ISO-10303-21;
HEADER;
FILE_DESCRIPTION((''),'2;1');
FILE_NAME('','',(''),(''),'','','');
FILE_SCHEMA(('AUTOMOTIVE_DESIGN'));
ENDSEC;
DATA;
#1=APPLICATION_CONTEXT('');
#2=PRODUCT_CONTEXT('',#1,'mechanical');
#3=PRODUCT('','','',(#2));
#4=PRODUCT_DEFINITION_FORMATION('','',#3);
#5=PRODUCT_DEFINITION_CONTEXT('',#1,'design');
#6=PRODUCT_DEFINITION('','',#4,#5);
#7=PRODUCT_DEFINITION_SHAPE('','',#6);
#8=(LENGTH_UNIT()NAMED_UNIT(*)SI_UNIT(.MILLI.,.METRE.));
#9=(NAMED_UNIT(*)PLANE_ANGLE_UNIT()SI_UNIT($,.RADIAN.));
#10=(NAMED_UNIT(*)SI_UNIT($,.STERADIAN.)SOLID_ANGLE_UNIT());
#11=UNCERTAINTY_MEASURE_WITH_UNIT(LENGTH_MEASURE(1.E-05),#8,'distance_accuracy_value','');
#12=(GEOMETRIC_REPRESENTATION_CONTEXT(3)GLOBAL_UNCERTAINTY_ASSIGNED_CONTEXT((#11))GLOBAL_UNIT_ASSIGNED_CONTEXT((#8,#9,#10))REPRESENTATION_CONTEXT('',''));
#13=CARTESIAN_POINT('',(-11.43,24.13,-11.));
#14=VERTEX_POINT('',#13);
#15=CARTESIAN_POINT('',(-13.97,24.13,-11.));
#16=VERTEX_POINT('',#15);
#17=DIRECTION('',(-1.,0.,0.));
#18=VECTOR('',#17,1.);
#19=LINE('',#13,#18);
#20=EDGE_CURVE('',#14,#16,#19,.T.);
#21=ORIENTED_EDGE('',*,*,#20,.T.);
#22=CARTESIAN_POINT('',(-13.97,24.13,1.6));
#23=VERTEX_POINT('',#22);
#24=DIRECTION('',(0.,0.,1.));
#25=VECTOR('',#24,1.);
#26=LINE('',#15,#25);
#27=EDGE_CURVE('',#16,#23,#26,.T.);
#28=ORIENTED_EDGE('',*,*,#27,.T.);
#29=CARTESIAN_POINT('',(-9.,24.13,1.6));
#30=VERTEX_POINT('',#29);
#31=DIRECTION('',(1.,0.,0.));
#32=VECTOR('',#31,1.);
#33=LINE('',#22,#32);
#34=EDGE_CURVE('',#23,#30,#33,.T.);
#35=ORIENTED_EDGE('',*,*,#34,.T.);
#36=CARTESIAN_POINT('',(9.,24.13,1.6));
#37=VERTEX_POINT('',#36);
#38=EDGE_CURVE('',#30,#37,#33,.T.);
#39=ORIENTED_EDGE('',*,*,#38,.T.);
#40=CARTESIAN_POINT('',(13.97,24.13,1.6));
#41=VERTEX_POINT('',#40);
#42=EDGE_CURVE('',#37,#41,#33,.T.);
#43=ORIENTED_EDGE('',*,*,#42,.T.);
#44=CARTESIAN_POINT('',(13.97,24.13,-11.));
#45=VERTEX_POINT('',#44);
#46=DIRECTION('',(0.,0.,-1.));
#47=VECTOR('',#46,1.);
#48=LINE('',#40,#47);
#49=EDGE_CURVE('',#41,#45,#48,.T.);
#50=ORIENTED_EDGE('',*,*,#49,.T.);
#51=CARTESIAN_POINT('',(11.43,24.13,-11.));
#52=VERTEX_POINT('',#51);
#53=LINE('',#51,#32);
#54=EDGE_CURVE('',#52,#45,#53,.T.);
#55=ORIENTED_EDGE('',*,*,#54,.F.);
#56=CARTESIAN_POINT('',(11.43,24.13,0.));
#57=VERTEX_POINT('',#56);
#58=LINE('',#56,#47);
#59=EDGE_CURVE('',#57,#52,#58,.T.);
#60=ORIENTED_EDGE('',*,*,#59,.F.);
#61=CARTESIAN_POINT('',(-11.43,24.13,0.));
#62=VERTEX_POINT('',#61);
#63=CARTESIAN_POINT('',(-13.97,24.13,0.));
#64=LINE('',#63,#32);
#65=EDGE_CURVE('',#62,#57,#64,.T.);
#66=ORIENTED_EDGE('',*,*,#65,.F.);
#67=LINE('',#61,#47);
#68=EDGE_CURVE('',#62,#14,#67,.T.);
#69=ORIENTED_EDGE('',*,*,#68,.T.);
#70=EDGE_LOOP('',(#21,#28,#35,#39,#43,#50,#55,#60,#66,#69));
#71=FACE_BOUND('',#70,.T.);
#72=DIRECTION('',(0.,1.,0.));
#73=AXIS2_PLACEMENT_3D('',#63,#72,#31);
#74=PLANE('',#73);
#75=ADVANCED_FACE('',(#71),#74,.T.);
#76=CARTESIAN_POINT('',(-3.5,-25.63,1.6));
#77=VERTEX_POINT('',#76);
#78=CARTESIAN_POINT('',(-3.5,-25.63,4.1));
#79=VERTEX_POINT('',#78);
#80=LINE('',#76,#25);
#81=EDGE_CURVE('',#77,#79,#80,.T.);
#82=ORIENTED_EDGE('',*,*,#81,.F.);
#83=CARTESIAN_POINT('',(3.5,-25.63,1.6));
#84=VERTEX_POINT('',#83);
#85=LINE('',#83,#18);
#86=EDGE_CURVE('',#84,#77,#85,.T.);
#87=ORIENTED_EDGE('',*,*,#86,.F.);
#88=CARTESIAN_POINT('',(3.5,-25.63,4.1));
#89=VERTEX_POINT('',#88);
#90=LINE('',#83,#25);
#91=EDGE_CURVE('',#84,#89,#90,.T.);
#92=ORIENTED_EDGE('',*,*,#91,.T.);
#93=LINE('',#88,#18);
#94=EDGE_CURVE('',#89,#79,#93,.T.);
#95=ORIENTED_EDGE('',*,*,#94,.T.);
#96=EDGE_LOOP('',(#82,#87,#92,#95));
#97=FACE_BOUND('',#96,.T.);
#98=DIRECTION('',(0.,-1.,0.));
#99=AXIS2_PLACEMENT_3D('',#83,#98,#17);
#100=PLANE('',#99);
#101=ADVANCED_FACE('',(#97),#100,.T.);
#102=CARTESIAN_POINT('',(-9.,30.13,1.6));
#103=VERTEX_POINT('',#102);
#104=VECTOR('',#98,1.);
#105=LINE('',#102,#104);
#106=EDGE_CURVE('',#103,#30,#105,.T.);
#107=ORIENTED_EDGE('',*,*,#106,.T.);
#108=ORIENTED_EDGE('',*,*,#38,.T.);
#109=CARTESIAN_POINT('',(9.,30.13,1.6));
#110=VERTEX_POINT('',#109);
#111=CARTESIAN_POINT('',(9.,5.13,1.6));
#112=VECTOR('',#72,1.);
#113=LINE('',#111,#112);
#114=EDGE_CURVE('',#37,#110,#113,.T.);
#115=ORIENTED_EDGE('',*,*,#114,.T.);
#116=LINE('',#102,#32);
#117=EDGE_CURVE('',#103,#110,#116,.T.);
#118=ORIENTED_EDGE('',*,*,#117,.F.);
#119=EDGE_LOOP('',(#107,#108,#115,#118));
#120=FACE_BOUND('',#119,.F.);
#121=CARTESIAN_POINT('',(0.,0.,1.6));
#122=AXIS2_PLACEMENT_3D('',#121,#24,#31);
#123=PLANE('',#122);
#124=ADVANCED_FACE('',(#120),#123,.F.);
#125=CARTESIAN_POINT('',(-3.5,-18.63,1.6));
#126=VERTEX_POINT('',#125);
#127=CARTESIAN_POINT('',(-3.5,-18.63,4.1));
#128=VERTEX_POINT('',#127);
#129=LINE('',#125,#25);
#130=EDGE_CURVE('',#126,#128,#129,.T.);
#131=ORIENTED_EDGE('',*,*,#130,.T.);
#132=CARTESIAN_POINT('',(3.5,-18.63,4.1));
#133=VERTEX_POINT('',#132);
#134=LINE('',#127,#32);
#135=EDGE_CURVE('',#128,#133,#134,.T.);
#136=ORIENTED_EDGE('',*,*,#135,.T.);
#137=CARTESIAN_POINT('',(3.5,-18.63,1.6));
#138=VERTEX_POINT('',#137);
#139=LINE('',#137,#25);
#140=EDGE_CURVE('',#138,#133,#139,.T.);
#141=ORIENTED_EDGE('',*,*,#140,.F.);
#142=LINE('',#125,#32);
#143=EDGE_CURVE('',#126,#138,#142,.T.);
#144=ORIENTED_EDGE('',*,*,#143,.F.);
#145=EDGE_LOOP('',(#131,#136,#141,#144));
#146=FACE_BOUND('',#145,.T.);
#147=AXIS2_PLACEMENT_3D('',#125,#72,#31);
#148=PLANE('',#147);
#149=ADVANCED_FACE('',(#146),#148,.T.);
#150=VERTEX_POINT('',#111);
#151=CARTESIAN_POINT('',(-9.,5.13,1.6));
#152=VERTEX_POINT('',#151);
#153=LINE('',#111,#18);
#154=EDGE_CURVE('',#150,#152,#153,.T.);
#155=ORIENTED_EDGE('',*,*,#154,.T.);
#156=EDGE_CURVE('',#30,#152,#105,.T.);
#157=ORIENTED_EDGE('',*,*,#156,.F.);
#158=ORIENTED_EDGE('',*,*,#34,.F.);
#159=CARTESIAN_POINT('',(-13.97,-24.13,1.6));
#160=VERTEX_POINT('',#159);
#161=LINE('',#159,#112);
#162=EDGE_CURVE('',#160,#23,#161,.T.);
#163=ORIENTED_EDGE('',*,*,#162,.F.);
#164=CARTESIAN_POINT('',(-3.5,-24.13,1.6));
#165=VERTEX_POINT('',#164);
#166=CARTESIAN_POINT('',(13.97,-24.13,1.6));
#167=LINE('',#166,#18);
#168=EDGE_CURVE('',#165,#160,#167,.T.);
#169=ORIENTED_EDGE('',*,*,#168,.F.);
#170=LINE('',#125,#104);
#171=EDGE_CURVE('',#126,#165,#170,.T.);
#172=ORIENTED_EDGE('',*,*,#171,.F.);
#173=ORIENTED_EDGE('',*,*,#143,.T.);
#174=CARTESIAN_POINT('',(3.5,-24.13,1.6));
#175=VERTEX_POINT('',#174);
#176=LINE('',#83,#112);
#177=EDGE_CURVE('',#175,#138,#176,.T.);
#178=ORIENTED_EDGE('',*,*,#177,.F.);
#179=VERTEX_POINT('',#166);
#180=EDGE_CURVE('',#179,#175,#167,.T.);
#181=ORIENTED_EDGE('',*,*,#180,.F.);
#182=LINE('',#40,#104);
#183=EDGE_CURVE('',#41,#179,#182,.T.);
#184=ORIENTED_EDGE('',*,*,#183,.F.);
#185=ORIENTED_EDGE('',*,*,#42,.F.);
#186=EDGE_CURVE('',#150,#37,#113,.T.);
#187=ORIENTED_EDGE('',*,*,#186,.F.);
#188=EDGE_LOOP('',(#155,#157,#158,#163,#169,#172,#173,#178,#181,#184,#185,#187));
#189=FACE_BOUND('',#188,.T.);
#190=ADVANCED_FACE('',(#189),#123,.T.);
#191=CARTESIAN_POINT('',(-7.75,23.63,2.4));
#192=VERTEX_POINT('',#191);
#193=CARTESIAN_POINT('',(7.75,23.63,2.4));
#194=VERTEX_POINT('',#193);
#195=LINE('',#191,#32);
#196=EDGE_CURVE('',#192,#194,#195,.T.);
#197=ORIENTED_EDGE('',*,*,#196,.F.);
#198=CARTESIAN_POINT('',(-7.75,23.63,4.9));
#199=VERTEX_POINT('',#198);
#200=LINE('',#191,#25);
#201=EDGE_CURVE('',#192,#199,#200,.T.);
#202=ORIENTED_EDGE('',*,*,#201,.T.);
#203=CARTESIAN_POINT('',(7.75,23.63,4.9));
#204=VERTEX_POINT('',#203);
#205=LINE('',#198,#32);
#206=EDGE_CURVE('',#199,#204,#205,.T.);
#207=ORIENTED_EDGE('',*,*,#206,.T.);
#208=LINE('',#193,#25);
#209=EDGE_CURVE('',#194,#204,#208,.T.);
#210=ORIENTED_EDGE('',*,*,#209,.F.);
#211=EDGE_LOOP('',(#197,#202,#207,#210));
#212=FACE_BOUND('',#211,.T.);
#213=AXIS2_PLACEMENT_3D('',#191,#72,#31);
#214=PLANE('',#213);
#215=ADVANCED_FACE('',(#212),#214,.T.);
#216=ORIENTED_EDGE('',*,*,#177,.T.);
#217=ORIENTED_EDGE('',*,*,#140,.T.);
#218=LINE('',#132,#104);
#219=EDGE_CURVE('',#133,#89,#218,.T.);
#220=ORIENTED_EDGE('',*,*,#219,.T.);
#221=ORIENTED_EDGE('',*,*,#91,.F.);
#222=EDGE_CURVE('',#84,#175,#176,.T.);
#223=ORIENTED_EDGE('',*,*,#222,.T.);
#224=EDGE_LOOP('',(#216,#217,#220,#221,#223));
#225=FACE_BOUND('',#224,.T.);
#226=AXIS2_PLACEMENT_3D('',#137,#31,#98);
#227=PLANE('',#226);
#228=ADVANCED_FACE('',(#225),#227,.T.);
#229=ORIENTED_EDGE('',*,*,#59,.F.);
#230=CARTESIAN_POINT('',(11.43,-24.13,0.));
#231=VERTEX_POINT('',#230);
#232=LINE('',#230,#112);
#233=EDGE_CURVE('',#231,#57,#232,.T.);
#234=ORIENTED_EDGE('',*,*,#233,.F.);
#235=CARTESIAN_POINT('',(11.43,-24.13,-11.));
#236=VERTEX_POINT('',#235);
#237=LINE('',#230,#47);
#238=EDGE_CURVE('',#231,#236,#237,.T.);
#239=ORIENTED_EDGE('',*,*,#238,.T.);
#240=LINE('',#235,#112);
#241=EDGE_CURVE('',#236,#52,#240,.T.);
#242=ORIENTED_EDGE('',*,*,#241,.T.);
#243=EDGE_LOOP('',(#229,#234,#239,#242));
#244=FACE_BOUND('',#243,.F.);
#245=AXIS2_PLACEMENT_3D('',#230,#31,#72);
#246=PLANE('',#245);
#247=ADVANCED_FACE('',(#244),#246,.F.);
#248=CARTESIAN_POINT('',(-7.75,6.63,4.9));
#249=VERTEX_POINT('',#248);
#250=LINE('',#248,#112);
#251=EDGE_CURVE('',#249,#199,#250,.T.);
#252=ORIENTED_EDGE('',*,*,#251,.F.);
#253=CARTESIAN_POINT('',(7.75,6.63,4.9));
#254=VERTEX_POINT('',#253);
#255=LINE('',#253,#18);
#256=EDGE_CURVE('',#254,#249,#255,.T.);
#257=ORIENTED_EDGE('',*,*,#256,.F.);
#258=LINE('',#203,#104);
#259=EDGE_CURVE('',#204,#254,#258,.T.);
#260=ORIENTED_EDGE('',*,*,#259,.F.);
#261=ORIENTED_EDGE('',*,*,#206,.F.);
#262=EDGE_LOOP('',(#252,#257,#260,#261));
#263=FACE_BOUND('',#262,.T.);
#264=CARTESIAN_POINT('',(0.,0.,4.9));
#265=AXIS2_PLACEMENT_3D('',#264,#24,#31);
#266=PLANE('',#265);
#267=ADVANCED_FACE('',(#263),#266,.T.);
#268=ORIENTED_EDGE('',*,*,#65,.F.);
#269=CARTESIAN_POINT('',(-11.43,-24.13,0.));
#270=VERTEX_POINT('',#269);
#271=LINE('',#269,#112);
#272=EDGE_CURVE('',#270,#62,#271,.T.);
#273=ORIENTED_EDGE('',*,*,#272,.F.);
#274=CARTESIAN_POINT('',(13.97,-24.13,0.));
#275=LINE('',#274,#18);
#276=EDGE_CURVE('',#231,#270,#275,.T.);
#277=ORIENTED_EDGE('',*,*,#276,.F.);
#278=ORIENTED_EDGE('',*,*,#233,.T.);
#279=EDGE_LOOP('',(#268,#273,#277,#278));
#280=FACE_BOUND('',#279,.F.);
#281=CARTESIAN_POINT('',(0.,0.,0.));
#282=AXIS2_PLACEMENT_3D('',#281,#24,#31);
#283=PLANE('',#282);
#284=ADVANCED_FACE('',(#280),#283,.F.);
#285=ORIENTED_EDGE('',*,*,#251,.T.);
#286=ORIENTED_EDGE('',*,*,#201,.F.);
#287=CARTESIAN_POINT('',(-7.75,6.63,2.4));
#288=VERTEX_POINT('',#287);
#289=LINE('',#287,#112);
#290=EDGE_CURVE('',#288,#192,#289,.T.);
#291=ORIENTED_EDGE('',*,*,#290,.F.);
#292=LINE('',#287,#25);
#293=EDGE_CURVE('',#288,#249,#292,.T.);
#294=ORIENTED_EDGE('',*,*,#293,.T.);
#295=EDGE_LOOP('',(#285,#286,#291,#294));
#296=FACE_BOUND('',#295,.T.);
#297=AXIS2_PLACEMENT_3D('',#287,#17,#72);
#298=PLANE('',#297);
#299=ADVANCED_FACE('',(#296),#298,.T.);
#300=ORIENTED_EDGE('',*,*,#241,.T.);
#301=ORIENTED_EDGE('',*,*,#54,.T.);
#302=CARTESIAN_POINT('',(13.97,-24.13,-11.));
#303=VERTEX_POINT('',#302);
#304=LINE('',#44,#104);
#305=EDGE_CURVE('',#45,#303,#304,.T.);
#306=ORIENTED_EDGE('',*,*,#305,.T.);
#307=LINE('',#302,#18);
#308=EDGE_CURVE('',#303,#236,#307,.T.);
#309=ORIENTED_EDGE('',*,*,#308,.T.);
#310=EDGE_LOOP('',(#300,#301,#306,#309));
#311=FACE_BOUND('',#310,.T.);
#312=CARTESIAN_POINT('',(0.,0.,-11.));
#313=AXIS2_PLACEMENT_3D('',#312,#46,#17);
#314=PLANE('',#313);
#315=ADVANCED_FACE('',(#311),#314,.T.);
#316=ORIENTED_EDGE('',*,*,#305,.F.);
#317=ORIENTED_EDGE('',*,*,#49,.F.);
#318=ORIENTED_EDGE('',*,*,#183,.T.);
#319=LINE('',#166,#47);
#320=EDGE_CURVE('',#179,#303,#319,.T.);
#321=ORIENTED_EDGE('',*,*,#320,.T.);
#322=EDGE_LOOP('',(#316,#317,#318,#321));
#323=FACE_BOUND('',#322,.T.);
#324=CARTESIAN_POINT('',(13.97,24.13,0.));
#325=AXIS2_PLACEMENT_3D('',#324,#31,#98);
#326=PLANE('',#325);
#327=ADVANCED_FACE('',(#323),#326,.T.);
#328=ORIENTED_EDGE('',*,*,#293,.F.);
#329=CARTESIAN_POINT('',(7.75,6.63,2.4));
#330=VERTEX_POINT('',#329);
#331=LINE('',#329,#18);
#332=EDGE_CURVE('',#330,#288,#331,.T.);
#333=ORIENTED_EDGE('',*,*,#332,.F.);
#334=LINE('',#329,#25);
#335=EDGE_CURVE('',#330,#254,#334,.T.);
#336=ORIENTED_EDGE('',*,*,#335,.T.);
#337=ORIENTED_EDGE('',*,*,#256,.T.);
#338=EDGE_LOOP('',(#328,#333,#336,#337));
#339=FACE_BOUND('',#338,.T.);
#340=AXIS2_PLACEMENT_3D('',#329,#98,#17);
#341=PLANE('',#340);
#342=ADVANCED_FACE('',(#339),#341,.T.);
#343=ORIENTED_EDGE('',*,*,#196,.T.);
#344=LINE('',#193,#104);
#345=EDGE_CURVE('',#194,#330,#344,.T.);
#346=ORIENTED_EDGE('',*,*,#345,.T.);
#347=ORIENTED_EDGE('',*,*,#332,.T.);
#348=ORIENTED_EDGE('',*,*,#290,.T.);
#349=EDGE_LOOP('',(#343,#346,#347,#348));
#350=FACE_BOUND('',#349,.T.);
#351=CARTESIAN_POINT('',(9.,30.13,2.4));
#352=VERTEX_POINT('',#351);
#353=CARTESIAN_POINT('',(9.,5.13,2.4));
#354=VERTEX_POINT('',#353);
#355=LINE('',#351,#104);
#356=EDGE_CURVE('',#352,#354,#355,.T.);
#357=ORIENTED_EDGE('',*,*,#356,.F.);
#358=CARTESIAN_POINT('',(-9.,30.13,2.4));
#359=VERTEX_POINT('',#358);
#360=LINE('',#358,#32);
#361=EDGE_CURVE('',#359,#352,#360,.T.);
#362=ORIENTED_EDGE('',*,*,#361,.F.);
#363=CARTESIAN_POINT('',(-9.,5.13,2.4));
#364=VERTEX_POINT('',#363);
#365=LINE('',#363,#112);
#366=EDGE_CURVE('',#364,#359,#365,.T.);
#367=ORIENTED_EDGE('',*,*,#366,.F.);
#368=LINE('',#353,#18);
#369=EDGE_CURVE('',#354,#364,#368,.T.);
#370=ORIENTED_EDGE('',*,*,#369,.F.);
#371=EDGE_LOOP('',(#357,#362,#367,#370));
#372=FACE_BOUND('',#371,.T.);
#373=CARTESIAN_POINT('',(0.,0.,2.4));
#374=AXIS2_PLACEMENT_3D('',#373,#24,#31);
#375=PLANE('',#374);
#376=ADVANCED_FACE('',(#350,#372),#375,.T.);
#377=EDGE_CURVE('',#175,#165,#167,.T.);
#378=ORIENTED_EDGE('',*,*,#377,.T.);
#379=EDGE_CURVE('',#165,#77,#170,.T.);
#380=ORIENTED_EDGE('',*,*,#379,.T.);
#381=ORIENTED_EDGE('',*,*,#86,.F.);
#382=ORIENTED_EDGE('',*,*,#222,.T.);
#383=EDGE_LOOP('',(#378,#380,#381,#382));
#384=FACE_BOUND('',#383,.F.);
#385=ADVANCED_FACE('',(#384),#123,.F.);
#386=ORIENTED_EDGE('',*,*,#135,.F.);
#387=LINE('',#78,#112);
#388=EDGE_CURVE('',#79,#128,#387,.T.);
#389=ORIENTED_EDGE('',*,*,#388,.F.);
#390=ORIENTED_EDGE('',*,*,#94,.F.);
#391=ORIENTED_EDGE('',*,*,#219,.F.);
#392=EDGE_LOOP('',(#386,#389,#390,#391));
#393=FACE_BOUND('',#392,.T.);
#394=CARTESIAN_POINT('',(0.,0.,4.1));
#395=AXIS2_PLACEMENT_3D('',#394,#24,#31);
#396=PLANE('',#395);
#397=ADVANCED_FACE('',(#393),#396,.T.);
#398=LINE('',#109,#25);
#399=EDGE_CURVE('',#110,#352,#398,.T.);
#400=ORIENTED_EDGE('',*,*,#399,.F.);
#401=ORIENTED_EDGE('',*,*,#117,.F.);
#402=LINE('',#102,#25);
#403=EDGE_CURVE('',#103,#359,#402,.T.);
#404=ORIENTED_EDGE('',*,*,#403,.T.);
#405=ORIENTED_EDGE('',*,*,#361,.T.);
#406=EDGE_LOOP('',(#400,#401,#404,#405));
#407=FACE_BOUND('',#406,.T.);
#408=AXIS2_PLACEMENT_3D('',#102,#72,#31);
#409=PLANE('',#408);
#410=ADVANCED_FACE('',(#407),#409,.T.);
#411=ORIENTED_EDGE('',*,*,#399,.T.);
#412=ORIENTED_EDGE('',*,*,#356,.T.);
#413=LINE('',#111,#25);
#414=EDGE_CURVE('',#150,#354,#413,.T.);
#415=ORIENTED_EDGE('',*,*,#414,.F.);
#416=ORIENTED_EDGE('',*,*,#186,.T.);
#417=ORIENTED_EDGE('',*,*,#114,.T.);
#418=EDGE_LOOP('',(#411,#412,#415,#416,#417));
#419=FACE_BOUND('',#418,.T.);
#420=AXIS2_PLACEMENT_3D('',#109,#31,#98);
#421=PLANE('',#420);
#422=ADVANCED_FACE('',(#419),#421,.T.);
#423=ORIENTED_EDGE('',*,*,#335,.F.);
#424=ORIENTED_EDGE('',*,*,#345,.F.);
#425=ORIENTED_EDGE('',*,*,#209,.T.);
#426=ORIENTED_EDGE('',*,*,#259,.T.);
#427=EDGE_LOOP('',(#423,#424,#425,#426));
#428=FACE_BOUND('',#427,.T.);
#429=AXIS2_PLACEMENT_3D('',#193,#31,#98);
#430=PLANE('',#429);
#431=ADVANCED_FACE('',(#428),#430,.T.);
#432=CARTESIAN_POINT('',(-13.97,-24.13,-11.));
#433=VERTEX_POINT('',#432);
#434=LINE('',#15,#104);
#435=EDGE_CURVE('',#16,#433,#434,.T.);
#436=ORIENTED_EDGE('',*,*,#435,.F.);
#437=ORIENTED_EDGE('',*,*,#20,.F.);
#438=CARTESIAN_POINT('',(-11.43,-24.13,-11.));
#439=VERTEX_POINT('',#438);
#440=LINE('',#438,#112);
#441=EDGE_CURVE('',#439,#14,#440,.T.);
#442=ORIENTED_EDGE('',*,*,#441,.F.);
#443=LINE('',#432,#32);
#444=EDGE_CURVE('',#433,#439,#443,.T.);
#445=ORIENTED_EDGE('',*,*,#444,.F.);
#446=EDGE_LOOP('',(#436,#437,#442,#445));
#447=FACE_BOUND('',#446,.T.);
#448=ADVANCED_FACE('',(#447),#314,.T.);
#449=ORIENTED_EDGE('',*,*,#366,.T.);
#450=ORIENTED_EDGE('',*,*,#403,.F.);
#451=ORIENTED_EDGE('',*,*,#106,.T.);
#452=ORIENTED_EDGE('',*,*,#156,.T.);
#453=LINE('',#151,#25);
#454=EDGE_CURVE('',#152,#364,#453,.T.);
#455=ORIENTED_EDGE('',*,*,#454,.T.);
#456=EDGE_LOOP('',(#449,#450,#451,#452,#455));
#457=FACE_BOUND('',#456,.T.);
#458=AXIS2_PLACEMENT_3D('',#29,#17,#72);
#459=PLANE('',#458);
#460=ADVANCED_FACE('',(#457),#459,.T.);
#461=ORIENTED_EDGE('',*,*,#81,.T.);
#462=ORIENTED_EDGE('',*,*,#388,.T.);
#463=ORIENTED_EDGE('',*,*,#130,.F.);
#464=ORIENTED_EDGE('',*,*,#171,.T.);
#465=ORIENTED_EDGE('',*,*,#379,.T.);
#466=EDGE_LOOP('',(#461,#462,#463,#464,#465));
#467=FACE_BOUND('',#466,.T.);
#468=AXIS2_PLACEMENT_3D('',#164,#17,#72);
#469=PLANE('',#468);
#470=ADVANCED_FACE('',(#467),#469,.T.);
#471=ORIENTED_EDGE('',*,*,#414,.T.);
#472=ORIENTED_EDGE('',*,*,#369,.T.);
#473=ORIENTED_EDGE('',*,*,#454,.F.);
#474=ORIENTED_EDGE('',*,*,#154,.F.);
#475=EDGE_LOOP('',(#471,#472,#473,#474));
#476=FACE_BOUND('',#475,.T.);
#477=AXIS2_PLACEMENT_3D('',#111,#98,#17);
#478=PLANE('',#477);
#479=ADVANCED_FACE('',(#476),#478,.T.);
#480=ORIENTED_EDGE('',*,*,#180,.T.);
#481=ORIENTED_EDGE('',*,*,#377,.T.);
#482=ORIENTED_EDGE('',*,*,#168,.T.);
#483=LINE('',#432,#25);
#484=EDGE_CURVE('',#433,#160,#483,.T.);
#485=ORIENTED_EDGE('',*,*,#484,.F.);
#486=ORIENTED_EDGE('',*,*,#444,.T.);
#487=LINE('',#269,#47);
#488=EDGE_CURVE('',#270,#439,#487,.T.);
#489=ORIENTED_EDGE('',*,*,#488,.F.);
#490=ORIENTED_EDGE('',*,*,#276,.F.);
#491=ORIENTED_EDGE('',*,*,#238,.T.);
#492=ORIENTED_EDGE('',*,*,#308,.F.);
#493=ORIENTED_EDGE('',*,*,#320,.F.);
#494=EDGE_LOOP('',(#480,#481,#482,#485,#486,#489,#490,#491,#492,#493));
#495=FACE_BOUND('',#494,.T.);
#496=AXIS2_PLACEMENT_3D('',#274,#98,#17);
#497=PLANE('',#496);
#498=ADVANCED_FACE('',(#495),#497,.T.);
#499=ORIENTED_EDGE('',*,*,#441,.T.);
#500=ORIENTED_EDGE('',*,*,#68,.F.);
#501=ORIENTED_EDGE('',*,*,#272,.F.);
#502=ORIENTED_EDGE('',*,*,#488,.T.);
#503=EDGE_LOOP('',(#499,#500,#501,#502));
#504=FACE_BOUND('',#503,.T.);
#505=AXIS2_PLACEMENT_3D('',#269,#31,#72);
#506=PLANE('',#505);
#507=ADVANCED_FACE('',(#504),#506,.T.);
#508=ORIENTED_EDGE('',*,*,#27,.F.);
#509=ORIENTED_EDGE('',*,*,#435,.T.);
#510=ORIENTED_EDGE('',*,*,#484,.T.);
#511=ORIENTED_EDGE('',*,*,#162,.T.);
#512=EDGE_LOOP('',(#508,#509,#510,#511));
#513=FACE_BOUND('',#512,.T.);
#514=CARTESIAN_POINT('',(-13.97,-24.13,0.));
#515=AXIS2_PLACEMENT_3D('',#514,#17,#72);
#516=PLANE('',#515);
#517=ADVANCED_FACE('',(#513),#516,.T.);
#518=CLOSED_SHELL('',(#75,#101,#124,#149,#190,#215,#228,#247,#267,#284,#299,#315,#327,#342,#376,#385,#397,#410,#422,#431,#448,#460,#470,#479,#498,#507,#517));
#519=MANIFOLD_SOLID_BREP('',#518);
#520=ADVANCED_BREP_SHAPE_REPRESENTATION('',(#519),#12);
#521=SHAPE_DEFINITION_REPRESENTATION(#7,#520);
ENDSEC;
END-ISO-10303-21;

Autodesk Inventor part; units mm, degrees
ref_plane "YZ Plane" through (0, 0, 0) normal (1, 0, 0) x (0, 1, 0)
ref_plane "XZ Plane" through (0, 0, 0) normal (0, 1, 0) x (-1, 0, 0)
ref_plane "XY Plane" through (0, 0, 0) normal (0, 0, 1) x (1, 0, 0)
sketch "スケッチ1" plane through (0, 0, 0) normal (0, 0, 1) x (1, 0, 0)
  line L0 (-13.97, 24.13) -> (13.97, 24.13)
  line L1 (13.97, 24.13) -> (13.97, -24.13)
  line L2 (13.97, -24.13) -> (-13.97, -24.13)
  line L3 (-13.97, -24.13) -> (-13.97, 24.13)
  point P0 (0, 0)
  point P1 (-13.97, 0)
  point P2 (0, -24.13)
  dimension "d0" = 27.94
  dimension "d1" = 48.26
extrude "押し出し1" add sketch "スケッチ1" along normal blind 1.6
sketch "スケッチ2" plane through (0, 0, 0) normal (0, 0, -1) x (-1, 0, 0)
  line L0 (0, 28.1996) -> (0, -28.1996) construction
  line L1 (-12.7, -28.1996) -> (-12.7, 28.1996) construction
  line L2 (12.7, 28.1996) -> (12.7, -28.1996) construction
  line L3 (-11.43, 24.13) -> (-13.97, 24.13)
  line L4 (-13.97, 24.13) -> (-13.97, -24.13)
  line L5 (-13.97, -24.13) -> (-11.43, -24.13)
  line L6 (-11.43, -24.13) -> (-11.43, 24.13)
  line L7 (11.43, 24.13) -> (13.97, 24.13)
  line L8 (13.97, 24.13) -> (13.97, -24.13)
  line L9 (13.97, -24.13) -> (11.43, -24.13)
  line L10 (11.43, -24.13) -> (11.43, 24.13)
  line L11 (-13.97, -24.13) -> (-13.97, 24.13) projected
  line L12 (-13.97, 24.13) -> (13.97, 24.13) projected
  line L13 (13.97, 24.13) -> (13.97, -24.13) projected
  line L14 (13.97, -24.13) -> (-13.97, -24.13) projected
  point P0 (0, 0)
  point P1 (0, 0)
  point P2 (-12.7, 24.13)
  point P3 (12.7, 24.13)
  dimension "d4" = 25.4
  dimension "d5" = 2.54
extrude "押し出し2" add sketch "スケッチ2" along normal blind 11 contours L6 L5 L4 L3 | L7 L8 L9 L10
sketch "スケッチ3" plane through (0, 0, 1.6) normal (0, 0, 1) x (1, 0, 0)
  line L0 (-9, 30.13) -> (9, 30.13)
  line L1 (9, 30.13) -> (9, 5.13)
  line L2 (9, 5.13) -> (-9, 5.13)
  line L3 (-9, 5.13) -> (-9, 30.13)
  line L4 (13.97, 24.13) -> (-13.97, 24.13) projected
  point P0 (0, 0)
  point P1 (0, 5.13)
  dimension "d8" = 18
  dimension "d9" = 25
  dimension "d10" = 6
extrude "押し出し3" add sketch "スケッチ3" along normal blind 0.8
sketch "スケッチ4" plane through (0, 0, 2.4) normal (0, 0, 1) x (1, 0, 0)
  line L0 (-7.75, 23.63) -> (7.75, 23.63)
  line L1 (7.75, 23.63) -> (7.75, 6.63)
  line L2 (7.75, 6.63) -> (-7.75, 6.63)
  line L3 (-7.75, 6.63) -> (-7.75, 23.63)
  line L4 (-9, 5.13) -> (9, 5.13) projected
  point P0 (0, 0)
  point P1 (0, 6.63)
  dimension "d13" = 15.5
  dimension "d14" = 17
  dimension "d15" = 1.5
extrude "押し出し4" add sketch "スケッチ4" along normal blind 2.5
sketch "スケッチ5" plane through (0, 0, 1.6) normal (0, 0, 1) x (1, 0, 0)
  line L0 (-3.5, -18.63) -> (3.5, -18.63)
  line L1 (3.5, -18.63) -> (3.5, -25.63)
  line L2 (3.5, -25.63) -> (-3.5, -25.63)
  line L3 (-3.5, -25.63) -> (-3.5, -18.63)
  line L4 (-13.97, -24.13) -> (13.97, -24.13) projected
  point P0 (0, 0)
  point P1 (0, -18.63)
  dimension "d18" = 7
  dimension "d19" = 7
  dimension "d20" = 1.5
extrude "押し出し5" add sketch "スケッチ5" along normal blind 2.5
properties part number "ESP32-DevKitC"
